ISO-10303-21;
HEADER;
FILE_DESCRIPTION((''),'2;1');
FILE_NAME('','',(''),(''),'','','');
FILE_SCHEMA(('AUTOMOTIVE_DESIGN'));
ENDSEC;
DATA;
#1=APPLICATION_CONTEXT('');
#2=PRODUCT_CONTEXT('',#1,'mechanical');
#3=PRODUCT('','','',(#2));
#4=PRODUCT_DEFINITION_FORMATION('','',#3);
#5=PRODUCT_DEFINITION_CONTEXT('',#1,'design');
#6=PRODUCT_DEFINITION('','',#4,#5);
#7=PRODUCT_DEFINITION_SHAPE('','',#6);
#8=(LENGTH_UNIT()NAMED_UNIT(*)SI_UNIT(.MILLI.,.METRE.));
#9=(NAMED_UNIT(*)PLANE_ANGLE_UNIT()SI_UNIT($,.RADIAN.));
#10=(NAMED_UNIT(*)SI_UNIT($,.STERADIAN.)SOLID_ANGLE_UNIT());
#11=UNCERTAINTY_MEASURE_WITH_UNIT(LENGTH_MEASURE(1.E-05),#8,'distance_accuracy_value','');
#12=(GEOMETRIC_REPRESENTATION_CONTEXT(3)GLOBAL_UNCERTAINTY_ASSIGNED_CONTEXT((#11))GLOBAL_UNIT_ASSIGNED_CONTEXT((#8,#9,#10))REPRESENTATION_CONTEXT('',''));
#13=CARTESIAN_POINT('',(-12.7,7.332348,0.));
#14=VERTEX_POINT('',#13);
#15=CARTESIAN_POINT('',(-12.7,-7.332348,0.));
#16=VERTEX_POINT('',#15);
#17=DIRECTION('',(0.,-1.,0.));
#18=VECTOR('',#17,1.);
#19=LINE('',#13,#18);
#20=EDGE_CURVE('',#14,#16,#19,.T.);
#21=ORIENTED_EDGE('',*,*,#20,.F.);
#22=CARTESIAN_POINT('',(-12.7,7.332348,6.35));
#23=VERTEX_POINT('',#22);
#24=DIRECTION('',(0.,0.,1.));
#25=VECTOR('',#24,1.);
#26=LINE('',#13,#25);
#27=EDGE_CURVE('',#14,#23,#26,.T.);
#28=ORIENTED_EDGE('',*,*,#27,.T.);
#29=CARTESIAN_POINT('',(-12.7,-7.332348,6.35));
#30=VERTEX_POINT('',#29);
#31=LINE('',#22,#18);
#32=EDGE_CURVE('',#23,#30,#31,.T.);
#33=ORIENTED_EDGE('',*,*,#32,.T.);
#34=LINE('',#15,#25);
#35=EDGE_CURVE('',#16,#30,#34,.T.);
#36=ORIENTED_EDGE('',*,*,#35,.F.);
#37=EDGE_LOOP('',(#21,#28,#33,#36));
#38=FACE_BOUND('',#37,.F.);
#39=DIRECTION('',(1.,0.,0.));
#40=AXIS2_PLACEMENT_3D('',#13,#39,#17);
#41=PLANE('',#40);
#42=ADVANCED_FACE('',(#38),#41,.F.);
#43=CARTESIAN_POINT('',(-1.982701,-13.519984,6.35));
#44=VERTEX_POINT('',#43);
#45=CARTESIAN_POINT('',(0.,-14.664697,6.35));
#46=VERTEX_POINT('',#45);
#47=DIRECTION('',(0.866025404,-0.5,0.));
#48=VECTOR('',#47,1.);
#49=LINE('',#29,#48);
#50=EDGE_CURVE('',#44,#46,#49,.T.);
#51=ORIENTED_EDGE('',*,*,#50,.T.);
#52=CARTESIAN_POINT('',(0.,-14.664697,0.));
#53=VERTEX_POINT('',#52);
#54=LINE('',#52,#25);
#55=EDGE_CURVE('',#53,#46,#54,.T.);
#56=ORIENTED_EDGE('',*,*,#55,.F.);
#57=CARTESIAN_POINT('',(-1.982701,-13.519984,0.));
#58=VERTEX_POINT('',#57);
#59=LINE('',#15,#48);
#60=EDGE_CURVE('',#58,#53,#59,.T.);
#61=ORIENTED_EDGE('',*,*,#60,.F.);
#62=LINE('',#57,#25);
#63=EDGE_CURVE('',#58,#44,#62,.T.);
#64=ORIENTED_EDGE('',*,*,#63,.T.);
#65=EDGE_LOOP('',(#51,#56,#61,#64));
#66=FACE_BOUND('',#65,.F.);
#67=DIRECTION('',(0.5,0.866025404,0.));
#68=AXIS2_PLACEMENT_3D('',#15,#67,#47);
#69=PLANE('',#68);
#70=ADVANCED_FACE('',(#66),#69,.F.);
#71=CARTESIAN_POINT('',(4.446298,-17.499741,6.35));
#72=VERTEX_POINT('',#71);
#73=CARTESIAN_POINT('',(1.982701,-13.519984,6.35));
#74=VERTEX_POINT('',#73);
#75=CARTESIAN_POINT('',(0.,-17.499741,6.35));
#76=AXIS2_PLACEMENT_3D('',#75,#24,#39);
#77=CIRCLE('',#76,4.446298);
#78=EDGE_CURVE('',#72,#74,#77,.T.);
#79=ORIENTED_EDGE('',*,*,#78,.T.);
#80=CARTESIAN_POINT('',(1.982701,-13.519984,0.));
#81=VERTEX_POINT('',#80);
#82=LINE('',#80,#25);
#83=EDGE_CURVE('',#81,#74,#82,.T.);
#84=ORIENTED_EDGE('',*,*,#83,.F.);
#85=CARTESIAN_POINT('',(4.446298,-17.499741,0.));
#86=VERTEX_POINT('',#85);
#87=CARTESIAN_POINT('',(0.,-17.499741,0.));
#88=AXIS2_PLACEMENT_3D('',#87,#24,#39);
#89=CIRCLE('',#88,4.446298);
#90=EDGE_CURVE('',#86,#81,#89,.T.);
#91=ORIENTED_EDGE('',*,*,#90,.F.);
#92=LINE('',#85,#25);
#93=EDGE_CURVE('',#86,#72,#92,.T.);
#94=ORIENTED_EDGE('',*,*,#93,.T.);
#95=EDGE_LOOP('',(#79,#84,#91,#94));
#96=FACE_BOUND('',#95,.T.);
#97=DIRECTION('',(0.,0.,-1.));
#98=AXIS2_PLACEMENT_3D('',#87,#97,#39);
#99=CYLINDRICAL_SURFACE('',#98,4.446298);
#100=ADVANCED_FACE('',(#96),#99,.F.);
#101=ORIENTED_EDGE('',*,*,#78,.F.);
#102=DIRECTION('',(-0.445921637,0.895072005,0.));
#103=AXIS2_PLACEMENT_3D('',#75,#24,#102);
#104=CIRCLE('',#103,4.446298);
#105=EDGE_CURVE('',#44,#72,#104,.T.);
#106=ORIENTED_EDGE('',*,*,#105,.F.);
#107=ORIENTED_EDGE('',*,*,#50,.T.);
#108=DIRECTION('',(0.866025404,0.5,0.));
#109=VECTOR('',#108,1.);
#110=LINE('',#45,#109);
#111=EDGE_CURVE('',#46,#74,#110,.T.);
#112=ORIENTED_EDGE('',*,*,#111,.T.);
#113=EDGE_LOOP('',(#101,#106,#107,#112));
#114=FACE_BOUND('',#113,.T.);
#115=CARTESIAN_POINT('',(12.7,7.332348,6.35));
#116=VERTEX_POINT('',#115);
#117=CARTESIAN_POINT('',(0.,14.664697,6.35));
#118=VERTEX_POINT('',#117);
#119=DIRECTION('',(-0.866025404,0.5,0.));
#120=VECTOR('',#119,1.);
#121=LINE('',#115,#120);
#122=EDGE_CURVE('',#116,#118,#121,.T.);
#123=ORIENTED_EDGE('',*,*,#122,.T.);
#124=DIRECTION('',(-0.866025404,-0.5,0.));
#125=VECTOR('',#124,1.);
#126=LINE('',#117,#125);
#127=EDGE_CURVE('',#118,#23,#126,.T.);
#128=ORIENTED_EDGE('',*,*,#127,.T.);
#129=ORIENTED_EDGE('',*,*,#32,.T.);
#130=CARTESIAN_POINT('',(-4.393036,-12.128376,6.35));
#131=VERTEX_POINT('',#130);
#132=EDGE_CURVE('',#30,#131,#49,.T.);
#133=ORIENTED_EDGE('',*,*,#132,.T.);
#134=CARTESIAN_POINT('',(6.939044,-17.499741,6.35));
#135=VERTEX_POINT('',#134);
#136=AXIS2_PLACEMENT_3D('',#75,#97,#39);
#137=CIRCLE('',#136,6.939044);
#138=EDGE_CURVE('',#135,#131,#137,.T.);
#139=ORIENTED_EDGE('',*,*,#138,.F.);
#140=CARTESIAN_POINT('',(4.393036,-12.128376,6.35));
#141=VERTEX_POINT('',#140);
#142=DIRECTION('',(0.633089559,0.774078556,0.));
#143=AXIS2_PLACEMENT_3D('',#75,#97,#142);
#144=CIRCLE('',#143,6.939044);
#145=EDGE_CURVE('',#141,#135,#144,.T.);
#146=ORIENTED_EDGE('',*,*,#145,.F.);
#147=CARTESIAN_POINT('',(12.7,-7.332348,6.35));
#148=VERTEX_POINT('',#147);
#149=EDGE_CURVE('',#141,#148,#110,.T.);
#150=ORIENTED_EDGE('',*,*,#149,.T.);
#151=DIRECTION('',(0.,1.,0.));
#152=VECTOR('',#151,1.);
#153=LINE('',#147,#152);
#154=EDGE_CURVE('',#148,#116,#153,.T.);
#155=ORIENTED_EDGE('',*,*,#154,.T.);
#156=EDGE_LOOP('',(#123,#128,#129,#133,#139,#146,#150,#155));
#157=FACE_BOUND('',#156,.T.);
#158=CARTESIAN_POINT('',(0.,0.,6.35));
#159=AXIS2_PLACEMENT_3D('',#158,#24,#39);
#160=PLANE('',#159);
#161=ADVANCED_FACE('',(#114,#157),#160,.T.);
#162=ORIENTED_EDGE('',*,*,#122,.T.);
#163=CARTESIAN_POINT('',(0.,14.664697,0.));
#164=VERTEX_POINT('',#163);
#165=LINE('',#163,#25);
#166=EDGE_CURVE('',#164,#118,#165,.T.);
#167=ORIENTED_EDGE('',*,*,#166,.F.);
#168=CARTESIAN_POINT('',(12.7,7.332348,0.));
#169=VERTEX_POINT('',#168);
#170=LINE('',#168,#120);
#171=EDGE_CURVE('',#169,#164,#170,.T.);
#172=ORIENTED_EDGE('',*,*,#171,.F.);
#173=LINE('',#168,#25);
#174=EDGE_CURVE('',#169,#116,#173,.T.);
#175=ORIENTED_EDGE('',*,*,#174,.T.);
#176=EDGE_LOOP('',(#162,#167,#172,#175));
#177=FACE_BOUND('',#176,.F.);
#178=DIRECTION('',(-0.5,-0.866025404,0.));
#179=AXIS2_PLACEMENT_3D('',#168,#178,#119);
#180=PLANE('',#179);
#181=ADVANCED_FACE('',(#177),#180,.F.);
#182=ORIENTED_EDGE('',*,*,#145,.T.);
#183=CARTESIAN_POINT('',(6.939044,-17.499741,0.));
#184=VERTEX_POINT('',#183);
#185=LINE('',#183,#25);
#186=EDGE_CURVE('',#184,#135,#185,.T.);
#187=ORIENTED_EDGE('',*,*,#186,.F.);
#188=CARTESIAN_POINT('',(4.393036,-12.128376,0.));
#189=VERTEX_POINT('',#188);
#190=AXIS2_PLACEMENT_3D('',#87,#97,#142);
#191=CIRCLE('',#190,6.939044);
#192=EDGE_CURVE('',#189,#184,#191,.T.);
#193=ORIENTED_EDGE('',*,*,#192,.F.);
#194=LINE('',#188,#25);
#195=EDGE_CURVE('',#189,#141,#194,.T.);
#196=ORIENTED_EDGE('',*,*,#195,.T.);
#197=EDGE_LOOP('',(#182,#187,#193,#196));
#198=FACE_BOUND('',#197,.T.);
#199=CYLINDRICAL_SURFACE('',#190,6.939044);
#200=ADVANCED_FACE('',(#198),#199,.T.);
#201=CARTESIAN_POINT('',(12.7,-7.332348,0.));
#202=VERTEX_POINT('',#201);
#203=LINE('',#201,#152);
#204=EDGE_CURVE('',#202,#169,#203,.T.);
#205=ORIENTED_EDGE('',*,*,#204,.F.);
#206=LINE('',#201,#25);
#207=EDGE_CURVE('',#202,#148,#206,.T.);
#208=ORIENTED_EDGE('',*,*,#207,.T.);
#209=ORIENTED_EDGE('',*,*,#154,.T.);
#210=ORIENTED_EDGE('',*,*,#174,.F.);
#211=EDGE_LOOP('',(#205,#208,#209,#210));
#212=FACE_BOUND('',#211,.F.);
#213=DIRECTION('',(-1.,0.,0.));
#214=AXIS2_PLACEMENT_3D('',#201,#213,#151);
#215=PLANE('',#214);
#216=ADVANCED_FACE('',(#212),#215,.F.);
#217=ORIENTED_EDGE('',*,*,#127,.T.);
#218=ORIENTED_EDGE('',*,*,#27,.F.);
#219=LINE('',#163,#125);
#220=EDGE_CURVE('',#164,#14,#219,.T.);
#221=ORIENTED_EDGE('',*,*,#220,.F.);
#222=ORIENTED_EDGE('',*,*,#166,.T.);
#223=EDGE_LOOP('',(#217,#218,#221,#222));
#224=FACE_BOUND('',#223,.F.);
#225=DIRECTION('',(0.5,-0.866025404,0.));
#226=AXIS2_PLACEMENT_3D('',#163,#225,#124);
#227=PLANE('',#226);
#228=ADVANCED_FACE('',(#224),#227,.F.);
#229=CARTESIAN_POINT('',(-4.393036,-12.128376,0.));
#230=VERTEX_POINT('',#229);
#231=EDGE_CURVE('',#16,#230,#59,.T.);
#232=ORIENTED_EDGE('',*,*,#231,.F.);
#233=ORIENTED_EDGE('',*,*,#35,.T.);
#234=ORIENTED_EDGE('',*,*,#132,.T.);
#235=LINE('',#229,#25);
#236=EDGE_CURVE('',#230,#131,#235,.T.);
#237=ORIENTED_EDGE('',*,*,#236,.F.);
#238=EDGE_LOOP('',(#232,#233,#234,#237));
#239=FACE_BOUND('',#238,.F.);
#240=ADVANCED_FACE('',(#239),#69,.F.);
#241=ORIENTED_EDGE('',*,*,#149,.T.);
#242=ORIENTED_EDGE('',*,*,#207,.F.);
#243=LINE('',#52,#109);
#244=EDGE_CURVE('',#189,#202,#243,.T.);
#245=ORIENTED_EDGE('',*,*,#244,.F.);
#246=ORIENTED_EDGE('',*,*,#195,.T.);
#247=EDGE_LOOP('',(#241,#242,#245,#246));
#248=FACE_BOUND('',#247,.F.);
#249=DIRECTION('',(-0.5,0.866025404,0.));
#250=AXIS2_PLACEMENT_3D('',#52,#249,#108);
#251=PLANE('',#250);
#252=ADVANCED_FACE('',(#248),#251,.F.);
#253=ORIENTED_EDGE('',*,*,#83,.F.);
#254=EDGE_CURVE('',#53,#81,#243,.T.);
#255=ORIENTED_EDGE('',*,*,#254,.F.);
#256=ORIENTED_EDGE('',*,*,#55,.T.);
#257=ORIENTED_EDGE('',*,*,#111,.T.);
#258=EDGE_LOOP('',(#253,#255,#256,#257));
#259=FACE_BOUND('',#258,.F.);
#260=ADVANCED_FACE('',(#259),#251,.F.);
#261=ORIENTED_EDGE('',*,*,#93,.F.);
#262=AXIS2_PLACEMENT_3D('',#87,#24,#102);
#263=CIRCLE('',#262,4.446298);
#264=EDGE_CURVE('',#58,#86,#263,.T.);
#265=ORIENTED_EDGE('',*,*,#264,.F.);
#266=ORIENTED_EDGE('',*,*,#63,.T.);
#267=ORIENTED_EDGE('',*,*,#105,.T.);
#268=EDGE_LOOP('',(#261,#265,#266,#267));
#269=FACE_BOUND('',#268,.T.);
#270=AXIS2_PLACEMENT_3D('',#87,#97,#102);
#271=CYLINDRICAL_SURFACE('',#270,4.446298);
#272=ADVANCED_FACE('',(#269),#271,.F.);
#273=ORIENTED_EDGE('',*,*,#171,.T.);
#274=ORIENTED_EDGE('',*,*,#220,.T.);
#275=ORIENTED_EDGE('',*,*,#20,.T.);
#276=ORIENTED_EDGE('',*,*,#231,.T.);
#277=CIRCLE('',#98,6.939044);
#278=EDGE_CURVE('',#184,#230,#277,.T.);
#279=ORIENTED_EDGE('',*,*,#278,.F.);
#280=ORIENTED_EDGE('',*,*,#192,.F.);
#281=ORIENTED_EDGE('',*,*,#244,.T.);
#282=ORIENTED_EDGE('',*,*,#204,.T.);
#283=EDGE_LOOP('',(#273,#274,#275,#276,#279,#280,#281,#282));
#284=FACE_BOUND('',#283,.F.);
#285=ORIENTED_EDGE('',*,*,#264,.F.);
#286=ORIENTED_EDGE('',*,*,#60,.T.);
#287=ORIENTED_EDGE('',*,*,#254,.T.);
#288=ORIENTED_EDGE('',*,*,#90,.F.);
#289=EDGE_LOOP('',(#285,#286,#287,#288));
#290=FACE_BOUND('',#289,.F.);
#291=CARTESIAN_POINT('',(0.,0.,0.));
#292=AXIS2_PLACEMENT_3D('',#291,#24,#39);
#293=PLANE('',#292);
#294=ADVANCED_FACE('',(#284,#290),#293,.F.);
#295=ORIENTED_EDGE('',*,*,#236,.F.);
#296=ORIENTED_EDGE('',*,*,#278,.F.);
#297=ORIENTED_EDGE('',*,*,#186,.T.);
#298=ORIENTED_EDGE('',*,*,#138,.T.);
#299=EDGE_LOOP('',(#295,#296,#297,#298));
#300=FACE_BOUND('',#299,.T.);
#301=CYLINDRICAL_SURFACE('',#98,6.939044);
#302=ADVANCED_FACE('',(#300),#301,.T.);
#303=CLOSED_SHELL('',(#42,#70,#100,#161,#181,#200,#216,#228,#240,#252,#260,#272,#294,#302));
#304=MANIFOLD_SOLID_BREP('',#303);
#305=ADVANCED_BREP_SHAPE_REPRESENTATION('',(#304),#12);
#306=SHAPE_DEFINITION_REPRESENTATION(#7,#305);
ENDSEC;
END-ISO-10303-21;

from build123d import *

# Parameters (mm, degrees)
F1_DEPTH = 6.35
F4_DEPTH = 6.35


with BuildPart() as f1:
    # F0 (on Top) → F1 (new body)
    with BuildSketch(Plane.XY):
        Polygon((12.7, -7.3323484187), (12.7, 7.3323484187), (0, 14.6646968374), (-12.7, 7.3323484187), (-12.7, -7.3323484187), (0, -14.6646968374), align=None)
    extrude(amount=F1_DEPTH)

    # F3 (on face) → F4 (join, through all)
    with BuildSketch(Plane(origin=(0, 0, 0), x_dir=(1, 0, 0), z_dir=(0, 0, -1))):
        with BuildLine():
            ThreePointArc((4.3930360984, 12.1283762634), (6.2703188288, 14.5276326774), (6.9390436724, 17.4997411668))
            ThreePointArc((6.9390436724, 17.4997411668), (-2.9721084894, 23.7700599956), (-4.3930360984, 12.1283762634))
            Line((-4.3930360984, 12.1283762634), (-1.9827005664, 13.5199841317))
            ThreePointArc((-1.9827005664, 13.5199841317), (-2.3402873387, 21.2802996927), (4.4462981901, 17.4997411668))
            ThreePointArc((4.4462981901, 17.4997411668), (3.7805585258, 15.1594538282), (1.9827005664, 13.5199841317))
            Line((1.9827005664, 13.5199841317), (4.3930360984, 12.1283762634))
        make_face()
    extrude(amount=-F4_DEPTH)


solid = f1.part
